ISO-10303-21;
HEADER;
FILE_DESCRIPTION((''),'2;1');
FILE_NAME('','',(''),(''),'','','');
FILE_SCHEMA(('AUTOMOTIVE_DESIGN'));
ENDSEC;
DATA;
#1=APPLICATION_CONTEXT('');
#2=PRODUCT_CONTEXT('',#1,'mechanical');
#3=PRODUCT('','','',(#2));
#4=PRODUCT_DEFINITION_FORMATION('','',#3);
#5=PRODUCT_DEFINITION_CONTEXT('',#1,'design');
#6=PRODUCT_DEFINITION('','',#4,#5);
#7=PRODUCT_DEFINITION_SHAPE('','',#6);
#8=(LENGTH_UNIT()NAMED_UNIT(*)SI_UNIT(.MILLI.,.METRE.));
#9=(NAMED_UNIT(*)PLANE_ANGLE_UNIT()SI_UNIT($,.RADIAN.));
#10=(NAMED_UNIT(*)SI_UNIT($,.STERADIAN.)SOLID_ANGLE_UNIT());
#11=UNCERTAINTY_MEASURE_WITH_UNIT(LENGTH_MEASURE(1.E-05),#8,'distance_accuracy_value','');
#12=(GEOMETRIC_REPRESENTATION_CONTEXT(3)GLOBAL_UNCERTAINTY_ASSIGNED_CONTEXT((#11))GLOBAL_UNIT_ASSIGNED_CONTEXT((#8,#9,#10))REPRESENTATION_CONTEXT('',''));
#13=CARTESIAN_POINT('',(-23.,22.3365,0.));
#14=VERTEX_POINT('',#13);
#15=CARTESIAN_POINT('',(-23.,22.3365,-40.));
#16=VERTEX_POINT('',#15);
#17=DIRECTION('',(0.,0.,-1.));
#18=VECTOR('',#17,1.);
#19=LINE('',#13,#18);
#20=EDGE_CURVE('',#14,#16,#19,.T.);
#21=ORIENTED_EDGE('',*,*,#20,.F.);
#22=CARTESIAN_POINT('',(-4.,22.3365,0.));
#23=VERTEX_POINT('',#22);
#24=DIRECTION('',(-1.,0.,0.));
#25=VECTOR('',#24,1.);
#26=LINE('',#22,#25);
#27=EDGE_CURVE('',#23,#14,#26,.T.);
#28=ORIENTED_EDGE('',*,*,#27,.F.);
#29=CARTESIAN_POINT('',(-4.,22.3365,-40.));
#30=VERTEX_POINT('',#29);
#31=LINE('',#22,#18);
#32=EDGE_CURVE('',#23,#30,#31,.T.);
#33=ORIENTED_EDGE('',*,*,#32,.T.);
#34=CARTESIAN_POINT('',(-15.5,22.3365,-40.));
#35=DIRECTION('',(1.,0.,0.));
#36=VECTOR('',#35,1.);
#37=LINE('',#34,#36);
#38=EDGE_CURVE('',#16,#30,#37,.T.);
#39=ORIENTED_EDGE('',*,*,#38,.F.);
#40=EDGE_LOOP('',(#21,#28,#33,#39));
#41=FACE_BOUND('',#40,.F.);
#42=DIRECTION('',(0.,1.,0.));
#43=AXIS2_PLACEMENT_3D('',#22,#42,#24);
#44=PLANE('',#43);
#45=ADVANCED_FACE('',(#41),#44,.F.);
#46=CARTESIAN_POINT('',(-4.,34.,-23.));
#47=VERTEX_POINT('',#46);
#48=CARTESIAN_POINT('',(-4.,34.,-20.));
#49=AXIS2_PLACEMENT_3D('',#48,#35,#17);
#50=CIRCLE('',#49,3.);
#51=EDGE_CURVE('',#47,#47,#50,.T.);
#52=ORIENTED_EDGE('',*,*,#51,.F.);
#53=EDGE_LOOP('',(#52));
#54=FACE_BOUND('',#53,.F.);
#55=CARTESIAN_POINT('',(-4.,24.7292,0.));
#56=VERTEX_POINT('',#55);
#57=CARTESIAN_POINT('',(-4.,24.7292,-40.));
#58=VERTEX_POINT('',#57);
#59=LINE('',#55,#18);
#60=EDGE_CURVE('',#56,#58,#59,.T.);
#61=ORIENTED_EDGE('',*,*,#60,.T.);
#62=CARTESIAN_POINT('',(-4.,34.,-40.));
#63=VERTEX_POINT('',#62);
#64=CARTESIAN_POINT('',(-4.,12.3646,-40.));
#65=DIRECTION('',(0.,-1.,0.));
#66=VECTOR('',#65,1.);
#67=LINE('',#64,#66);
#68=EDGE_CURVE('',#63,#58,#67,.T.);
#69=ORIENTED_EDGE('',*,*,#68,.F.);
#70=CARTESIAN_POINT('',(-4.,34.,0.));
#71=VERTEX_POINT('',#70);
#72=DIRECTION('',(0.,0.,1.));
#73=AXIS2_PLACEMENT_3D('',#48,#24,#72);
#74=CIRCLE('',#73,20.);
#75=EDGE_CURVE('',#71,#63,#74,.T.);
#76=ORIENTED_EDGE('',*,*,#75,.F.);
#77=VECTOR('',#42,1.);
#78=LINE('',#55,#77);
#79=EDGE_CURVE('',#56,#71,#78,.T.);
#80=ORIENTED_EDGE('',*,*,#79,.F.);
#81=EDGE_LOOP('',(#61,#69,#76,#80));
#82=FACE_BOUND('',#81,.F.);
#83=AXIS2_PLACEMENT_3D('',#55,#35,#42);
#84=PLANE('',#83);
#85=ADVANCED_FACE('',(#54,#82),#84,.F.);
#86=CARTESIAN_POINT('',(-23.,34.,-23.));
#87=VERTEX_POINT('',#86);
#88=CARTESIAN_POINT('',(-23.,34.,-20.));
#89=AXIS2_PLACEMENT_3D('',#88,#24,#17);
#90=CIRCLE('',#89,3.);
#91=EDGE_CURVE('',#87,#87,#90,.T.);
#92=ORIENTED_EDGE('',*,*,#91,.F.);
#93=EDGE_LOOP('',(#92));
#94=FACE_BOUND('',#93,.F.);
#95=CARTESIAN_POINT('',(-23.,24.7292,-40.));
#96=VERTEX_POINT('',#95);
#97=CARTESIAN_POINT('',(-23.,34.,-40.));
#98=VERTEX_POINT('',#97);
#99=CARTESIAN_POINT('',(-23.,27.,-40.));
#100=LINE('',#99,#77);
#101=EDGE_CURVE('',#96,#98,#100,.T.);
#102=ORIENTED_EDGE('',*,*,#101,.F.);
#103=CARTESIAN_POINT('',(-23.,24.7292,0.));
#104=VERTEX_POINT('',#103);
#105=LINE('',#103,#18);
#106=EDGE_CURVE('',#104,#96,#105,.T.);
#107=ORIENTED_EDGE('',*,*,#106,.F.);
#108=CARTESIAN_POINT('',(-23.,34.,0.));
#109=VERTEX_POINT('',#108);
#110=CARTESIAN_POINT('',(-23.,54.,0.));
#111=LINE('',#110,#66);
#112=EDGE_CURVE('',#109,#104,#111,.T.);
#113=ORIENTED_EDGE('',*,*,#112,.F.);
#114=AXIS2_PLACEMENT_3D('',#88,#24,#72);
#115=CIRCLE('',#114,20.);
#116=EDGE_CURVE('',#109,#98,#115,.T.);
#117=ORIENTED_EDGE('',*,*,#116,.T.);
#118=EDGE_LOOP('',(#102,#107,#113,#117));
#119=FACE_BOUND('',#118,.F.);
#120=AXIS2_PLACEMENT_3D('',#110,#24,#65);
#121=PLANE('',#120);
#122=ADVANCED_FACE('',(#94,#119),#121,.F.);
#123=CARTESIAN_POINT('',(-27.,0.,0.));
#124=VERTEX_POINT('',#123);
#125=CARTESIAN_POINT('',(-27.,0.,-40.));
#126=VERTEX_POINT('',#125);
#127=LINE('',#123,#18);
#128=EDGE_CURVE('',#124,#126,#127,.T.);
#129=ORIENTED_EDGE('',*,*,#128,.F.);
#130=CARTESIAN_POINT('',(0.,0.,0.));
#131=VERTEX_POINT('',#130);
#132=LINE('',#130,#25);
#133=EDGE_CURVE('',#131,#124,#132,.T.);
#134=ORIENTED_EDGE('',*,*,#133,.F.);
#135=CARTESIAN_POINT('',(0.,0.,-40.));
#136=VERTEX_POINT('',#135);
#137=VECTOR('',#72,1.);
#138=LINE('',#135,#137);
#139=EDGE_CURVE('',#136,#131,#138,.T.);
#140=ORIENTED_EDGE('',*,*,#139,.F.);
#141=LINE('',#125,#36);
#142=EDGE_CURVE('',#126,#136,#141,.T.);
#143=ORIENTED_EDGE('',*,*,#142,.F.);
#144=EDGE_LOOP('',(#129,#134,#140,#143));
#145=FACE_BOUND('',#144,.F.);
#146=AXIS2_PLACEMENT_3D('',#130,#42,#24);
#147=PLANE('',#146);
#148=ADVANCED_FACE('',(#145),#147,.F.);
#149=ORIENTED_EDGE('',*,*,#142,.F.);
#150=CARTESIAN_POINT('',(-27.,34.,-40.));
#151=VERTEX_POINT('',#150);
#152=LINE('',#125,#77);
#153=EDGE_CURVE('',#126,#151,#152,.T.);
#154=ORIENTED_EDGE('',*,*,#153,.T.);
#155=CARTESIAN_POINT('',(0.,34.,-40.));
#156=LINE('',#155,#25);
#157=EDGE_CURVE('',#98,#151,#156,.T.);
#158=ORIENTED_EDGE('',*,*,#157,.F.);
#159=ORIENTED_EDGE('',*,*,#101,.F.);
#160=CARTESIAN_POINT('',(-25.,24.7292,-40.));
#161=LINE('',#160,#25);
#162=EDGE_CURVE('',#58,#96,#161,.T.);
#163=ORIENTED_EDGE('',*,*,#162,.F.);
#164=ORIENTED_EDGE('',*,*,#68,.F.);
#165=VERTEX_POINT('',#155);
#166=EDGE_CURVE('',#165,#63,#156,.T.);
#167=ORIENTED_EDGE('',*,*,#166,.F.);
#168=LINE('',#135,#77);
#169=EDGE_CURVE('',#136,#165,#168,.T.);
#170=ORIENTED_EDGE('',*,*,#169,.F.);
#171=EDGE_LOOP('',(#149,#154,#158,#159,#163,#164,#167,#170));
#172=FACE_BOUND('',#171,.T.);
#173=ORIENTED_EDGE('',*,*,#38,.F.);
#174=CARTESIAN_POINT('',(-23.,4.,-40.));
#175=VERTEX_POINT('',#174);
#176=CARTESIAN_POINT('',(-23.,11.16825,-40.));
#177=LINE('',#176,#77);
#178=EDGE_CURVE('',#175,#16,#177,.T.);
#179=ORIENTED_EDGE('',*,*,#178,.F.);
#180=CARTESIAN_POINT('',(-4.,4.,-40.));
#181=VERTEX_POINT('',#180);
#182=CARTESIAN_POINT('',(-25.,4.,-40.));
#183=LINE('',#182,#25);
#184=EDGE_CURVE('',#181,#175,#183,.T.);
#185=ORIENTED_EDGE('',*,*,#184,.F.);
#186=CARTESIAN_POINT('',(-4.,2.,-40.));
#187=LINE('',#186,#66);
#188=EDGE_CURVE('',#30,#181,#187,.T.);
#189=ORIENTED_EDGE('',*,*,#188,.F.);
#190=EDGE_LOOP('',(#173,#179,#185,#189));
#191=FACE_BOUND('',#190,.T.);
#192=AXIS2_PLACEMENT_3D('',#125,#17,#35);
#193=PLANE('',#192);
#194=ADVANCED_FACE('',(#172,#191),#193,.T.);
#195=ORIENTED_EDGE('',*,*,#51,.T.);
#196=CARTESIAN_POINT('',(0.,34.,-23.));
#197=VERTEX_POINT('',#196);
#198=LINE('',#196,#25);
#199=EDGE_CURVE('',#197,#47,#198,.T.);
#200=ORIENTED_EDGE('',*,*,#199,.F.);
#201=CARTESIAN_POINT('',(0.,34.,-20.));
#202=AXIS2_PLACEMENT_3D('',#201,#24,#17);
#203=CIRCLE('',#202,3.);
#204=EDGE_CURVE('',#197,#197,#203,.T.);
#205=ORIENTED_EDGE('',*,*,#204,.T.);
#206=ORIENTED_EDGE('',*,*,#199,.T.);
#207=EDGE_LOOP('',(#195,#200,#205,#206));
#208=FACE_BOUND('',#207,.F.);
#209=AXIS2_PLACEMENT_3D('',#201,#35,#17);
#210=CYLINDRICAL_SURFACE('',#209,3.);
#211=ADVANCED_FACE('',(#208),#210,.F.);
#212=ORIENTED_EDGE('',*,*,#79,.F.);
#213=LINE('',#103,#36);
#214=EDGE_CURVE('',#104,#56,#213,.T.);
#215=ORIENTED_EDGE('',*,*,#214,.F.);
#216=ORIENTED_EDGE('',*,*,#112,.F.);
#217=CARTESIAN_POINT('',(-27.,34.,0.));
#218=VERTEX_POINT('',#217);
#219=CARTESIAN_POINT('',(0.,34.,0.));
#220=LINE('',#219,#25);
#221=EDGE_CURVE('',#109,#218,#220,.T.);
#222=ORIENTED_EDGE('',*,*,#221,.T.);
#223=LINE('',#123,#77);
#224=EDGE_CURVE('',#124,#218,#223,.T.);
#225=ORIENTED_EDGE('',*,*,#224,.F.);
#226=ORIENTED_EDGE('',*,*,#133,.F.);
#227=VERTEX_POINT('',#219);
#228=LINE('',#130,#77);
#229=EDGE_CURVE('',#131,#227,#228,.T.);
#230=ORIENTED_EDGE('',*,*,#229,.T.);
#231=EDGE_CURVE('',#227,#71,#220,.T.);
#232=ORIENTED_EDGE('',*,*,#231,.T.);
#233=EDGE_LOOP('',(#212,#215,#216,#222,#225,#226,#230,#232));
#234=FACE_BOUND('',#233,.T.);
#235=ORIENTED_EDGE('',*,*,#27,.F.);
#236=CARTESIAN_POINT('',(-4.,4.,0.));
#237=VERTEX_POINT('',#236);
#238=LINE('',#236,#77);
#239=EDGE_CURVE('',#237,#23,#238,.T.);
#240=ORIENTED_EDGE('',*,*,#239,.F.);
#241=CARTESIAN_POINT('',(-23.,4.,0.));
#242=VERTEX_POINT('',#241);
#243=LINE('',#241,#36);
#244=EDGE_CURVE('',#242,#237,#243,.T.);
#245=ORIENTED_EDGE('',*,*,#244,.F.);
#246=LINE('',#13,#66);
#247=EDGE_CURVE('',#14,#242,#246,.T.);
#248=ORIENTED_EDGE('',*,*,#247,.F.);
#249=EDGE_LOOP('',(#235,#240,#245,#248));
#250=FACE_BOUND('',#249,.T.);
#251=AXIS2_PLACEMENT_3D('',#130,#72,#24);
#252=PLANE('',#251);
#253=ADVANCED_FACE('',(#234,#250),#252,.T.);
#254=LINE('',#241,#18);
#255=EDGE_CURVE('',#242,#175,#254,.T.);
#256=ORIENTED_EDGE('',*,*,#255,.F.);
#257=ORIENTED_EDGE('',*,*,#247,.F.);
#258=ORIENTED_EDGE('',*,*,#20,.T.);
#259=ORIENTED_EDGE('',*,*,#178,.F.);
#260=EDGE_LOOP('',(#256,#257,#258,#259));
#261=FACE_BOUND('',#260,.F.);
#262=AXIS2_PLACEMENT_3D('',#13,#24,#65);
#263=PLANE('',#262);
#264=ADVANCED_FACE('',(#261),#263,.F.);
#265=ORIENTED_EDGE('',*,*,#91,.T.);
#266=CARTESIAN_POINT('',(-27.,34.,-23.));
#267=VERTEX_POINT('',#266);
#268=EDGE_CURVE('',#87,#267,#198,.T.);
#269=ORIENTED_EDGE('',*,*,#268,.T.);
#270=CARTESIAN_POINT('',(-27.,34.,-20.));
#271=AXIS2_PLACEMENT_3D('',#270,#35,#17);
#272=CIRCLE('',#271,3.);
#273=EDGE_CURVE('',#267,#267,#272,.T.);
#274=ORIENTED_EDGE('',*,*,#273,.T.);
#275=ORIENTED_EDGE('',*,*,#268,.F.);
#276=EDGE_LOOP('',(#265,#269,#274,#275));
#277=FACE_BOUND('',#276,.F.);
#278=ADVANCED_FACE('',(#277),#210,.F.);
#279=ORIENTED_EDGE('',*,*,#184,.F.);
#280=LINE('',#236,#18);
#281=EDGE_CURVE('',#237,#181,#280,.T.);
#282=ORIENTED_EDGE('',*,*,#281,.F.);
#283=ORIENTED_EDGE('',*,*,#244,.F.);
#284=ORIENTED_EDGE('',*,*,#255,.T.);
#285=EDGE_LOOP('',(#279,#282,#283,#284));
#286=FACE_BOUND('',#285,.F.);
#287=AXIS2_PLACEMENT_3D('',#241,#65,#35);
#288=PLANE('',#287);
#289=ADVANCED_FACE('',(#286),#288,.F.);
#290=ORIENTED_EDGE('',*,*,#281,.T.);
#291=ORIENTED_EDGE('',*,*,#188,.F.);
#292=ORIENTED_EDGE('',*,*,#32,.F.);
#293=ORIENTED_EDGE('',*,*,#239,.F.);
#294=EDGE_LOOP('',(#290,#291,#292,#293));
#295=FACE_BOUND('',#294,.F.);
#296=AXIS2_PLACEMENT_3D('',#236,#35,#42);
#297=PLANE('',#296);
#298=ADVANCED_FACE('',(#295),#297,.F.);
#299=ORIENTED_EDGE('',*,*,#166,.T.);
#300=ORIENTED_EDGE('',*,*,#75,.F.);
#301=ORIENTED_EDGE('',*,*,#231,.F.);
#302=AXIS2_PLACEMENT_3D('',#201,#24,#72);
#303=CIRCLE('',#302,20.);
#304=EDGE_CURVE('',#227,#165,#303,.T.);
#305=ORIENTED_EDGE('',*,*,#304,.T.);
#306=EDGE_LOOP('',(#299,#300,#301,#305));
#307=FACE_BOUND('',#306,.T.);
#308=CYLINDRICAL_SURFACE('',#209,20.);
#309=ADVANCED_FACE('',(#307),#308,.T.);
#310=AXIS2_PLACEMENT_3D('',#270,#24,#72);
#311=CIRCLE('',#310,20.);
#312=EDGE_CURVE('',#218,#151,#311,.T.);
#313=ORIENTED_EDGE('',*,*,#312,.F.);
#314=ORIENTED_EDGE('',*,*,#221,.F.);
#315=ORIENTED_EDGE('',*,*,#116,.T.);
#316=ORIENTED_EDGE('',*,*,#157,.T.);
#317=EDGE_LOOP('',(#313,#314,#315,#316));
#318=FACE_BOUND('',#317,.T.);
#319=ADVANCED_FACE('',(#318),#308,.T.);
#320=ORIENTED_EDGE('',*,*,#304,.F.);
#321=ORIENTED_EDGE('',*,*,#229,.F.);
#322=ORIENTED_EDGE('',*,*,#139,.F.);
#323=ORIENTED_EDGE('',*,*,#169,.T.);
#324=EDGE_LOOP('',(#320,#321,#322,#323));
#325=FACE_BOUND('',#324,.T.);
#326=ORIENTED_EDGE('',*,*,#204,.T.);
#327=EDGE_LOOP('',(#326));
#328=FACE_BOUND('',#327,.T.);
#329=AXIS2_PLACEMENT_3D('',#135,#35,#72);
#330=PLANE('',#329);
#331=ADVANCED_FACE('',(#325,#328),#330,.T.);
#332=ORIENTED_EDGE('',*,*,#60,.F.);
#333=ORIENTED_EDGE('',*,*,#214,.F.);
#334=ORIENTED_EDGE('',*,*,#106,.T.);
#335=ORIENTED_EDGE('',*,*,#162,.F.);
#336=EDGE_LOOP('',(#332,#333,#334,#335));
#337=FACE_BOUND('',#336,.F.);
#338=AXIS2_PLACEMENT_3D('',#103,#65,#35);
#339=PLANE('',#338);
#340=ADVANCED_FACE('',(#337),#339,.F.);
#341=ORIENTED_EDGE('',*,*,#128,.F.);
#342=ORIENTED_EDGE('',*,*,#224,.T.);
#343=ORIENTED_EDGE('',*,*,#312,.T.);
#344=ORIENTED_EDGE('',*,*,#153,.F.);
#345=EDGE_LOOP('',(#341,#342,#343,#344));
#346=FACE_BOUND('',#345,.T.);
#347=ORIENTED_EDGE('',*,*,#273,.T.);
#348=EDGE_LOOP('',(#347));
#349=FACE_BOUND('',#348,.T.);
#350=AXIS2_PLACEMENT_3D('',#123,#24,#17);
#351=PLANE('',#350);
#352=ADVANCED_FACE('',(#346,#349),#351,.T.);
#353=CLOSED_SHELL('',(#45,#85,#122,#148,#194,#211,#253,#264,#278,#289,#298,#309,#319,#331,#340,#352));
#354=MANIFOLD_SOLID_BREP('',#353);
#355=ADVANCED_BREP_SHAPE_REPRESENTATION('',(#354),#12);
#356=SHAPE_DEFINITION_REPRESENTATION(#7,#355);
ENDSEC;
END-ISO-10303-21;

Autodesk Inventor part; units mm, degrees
ref_plane "YZ Plane" through (0, 0, 0) normal (1, 0, 0) x (0, 1, 0)
ref_plane "XZ Plane" through (0, 0, 0) normal (0, 1, 0) x (-1, 0, 0)
ref_plane "XY Plane" through (0, 0, 0) normal (0, 0, 1) x (1, 0, 0)
sketch "Boceto1" plane through (0, 0, 0) normal (0, 1, 0) x (-1, 0, 0)
  line L0 (0, 0) -> (27, 0)
  line L1 (27, 0) -> (27, -40)
  line L2 (27, -40) -> (0, -40)
  line L3 (0, -40) -> (0, 0)
  dimension "d0" = 27
  dimension "d1" = 40
extrude "Extrusión1" add sketch "Boceto1" along normal blind 54
sketch "Boceto2" plane through (-27, 0, 0) normal (0, 0, 1) x (1, 0, 0)
  line L0 (4, 4) -> (23, 4)
  line L1 (23, 4) -> (23, 22.3365)
  line L2 (23, 22.3365) -> (4, 22.3365)
  line L3 (4, 22.3365) -> (4, 4)
  line L4 (0, 0) -> (27, 0) projected
  line L5 (27, 0) -> (27, 54) projected
  line L6 (0, 54) -> (27, 54) projected
  line L7 (0, 0) -> (0, 54) projected
  line L8 (27, 54) -> (0, 54) projected
  line L9 (4, 24.7292) -> (23, 24.7292)
  line L10 (23, 24.7292) -> (23, 54)
  line L11 (23, 54) -> (4, 54)
  line L12 (4, 54) -> (4, 24.7292)
  point P0 (4, 54)
  dimension "d4" = 4
  dimension "d5" = 4
  dimension "d6" = 4
extrude "Extrusión2" cut sketch "Boceto2" against normal blind 54 contours L3 L2 L1 L0 | L6 L10 L9 L12
sketch "Boceto3" plane through (0, 0, 0) normal (1, 0, 0) x (0, 0, -1)
  line L0 (0, 0) -> (40, 0) projected
  line L1 (40, 0) -> (40, 54) projected
  line L2 (0, 54) -> (40, 54) projected
  line L3 (0, 0) -> (0, 54) projected
  line L4 (0, 54) -> (40, 54) projected
  line L5 (20, 54) -> (20, 34)
  circle A0 centre (20, 34) radius 3
  dimension "d9" = 20
  dimension "d10" = 6
extrude "Extrusión3" cut sketch "Boceto3" against normal blind 54 contours A0
sketch "Boceto4" plane through (0, 0, 0) normal (1, 0, 0) x (0, 0, -1)
  circle A0 centre (20, 34) radius 3 projected
  line L0 (0, 0) -> (40, 0) projected
  line L1 (40, 0) -> (40, 54) projected
  line L2 (0, 54) -> (40, 54) projected
  line L3 (0, 0) -> (0, 54) projected
  line L4 (40, 54) -> (0, 54) projected
  circle A1 centre (20, 34) radius 3 projected
  circle A2 centre (20, 34) radius 20
  point P0 (0, 34)
  point P1 (20, 54)
  point P2 (40, 34)
extrude "Extrusión4" cut sketch "Boceto4" against normal blind 54 contours L3 L2 A2 | A2 L2 L1
properties part number "REDONDA"
